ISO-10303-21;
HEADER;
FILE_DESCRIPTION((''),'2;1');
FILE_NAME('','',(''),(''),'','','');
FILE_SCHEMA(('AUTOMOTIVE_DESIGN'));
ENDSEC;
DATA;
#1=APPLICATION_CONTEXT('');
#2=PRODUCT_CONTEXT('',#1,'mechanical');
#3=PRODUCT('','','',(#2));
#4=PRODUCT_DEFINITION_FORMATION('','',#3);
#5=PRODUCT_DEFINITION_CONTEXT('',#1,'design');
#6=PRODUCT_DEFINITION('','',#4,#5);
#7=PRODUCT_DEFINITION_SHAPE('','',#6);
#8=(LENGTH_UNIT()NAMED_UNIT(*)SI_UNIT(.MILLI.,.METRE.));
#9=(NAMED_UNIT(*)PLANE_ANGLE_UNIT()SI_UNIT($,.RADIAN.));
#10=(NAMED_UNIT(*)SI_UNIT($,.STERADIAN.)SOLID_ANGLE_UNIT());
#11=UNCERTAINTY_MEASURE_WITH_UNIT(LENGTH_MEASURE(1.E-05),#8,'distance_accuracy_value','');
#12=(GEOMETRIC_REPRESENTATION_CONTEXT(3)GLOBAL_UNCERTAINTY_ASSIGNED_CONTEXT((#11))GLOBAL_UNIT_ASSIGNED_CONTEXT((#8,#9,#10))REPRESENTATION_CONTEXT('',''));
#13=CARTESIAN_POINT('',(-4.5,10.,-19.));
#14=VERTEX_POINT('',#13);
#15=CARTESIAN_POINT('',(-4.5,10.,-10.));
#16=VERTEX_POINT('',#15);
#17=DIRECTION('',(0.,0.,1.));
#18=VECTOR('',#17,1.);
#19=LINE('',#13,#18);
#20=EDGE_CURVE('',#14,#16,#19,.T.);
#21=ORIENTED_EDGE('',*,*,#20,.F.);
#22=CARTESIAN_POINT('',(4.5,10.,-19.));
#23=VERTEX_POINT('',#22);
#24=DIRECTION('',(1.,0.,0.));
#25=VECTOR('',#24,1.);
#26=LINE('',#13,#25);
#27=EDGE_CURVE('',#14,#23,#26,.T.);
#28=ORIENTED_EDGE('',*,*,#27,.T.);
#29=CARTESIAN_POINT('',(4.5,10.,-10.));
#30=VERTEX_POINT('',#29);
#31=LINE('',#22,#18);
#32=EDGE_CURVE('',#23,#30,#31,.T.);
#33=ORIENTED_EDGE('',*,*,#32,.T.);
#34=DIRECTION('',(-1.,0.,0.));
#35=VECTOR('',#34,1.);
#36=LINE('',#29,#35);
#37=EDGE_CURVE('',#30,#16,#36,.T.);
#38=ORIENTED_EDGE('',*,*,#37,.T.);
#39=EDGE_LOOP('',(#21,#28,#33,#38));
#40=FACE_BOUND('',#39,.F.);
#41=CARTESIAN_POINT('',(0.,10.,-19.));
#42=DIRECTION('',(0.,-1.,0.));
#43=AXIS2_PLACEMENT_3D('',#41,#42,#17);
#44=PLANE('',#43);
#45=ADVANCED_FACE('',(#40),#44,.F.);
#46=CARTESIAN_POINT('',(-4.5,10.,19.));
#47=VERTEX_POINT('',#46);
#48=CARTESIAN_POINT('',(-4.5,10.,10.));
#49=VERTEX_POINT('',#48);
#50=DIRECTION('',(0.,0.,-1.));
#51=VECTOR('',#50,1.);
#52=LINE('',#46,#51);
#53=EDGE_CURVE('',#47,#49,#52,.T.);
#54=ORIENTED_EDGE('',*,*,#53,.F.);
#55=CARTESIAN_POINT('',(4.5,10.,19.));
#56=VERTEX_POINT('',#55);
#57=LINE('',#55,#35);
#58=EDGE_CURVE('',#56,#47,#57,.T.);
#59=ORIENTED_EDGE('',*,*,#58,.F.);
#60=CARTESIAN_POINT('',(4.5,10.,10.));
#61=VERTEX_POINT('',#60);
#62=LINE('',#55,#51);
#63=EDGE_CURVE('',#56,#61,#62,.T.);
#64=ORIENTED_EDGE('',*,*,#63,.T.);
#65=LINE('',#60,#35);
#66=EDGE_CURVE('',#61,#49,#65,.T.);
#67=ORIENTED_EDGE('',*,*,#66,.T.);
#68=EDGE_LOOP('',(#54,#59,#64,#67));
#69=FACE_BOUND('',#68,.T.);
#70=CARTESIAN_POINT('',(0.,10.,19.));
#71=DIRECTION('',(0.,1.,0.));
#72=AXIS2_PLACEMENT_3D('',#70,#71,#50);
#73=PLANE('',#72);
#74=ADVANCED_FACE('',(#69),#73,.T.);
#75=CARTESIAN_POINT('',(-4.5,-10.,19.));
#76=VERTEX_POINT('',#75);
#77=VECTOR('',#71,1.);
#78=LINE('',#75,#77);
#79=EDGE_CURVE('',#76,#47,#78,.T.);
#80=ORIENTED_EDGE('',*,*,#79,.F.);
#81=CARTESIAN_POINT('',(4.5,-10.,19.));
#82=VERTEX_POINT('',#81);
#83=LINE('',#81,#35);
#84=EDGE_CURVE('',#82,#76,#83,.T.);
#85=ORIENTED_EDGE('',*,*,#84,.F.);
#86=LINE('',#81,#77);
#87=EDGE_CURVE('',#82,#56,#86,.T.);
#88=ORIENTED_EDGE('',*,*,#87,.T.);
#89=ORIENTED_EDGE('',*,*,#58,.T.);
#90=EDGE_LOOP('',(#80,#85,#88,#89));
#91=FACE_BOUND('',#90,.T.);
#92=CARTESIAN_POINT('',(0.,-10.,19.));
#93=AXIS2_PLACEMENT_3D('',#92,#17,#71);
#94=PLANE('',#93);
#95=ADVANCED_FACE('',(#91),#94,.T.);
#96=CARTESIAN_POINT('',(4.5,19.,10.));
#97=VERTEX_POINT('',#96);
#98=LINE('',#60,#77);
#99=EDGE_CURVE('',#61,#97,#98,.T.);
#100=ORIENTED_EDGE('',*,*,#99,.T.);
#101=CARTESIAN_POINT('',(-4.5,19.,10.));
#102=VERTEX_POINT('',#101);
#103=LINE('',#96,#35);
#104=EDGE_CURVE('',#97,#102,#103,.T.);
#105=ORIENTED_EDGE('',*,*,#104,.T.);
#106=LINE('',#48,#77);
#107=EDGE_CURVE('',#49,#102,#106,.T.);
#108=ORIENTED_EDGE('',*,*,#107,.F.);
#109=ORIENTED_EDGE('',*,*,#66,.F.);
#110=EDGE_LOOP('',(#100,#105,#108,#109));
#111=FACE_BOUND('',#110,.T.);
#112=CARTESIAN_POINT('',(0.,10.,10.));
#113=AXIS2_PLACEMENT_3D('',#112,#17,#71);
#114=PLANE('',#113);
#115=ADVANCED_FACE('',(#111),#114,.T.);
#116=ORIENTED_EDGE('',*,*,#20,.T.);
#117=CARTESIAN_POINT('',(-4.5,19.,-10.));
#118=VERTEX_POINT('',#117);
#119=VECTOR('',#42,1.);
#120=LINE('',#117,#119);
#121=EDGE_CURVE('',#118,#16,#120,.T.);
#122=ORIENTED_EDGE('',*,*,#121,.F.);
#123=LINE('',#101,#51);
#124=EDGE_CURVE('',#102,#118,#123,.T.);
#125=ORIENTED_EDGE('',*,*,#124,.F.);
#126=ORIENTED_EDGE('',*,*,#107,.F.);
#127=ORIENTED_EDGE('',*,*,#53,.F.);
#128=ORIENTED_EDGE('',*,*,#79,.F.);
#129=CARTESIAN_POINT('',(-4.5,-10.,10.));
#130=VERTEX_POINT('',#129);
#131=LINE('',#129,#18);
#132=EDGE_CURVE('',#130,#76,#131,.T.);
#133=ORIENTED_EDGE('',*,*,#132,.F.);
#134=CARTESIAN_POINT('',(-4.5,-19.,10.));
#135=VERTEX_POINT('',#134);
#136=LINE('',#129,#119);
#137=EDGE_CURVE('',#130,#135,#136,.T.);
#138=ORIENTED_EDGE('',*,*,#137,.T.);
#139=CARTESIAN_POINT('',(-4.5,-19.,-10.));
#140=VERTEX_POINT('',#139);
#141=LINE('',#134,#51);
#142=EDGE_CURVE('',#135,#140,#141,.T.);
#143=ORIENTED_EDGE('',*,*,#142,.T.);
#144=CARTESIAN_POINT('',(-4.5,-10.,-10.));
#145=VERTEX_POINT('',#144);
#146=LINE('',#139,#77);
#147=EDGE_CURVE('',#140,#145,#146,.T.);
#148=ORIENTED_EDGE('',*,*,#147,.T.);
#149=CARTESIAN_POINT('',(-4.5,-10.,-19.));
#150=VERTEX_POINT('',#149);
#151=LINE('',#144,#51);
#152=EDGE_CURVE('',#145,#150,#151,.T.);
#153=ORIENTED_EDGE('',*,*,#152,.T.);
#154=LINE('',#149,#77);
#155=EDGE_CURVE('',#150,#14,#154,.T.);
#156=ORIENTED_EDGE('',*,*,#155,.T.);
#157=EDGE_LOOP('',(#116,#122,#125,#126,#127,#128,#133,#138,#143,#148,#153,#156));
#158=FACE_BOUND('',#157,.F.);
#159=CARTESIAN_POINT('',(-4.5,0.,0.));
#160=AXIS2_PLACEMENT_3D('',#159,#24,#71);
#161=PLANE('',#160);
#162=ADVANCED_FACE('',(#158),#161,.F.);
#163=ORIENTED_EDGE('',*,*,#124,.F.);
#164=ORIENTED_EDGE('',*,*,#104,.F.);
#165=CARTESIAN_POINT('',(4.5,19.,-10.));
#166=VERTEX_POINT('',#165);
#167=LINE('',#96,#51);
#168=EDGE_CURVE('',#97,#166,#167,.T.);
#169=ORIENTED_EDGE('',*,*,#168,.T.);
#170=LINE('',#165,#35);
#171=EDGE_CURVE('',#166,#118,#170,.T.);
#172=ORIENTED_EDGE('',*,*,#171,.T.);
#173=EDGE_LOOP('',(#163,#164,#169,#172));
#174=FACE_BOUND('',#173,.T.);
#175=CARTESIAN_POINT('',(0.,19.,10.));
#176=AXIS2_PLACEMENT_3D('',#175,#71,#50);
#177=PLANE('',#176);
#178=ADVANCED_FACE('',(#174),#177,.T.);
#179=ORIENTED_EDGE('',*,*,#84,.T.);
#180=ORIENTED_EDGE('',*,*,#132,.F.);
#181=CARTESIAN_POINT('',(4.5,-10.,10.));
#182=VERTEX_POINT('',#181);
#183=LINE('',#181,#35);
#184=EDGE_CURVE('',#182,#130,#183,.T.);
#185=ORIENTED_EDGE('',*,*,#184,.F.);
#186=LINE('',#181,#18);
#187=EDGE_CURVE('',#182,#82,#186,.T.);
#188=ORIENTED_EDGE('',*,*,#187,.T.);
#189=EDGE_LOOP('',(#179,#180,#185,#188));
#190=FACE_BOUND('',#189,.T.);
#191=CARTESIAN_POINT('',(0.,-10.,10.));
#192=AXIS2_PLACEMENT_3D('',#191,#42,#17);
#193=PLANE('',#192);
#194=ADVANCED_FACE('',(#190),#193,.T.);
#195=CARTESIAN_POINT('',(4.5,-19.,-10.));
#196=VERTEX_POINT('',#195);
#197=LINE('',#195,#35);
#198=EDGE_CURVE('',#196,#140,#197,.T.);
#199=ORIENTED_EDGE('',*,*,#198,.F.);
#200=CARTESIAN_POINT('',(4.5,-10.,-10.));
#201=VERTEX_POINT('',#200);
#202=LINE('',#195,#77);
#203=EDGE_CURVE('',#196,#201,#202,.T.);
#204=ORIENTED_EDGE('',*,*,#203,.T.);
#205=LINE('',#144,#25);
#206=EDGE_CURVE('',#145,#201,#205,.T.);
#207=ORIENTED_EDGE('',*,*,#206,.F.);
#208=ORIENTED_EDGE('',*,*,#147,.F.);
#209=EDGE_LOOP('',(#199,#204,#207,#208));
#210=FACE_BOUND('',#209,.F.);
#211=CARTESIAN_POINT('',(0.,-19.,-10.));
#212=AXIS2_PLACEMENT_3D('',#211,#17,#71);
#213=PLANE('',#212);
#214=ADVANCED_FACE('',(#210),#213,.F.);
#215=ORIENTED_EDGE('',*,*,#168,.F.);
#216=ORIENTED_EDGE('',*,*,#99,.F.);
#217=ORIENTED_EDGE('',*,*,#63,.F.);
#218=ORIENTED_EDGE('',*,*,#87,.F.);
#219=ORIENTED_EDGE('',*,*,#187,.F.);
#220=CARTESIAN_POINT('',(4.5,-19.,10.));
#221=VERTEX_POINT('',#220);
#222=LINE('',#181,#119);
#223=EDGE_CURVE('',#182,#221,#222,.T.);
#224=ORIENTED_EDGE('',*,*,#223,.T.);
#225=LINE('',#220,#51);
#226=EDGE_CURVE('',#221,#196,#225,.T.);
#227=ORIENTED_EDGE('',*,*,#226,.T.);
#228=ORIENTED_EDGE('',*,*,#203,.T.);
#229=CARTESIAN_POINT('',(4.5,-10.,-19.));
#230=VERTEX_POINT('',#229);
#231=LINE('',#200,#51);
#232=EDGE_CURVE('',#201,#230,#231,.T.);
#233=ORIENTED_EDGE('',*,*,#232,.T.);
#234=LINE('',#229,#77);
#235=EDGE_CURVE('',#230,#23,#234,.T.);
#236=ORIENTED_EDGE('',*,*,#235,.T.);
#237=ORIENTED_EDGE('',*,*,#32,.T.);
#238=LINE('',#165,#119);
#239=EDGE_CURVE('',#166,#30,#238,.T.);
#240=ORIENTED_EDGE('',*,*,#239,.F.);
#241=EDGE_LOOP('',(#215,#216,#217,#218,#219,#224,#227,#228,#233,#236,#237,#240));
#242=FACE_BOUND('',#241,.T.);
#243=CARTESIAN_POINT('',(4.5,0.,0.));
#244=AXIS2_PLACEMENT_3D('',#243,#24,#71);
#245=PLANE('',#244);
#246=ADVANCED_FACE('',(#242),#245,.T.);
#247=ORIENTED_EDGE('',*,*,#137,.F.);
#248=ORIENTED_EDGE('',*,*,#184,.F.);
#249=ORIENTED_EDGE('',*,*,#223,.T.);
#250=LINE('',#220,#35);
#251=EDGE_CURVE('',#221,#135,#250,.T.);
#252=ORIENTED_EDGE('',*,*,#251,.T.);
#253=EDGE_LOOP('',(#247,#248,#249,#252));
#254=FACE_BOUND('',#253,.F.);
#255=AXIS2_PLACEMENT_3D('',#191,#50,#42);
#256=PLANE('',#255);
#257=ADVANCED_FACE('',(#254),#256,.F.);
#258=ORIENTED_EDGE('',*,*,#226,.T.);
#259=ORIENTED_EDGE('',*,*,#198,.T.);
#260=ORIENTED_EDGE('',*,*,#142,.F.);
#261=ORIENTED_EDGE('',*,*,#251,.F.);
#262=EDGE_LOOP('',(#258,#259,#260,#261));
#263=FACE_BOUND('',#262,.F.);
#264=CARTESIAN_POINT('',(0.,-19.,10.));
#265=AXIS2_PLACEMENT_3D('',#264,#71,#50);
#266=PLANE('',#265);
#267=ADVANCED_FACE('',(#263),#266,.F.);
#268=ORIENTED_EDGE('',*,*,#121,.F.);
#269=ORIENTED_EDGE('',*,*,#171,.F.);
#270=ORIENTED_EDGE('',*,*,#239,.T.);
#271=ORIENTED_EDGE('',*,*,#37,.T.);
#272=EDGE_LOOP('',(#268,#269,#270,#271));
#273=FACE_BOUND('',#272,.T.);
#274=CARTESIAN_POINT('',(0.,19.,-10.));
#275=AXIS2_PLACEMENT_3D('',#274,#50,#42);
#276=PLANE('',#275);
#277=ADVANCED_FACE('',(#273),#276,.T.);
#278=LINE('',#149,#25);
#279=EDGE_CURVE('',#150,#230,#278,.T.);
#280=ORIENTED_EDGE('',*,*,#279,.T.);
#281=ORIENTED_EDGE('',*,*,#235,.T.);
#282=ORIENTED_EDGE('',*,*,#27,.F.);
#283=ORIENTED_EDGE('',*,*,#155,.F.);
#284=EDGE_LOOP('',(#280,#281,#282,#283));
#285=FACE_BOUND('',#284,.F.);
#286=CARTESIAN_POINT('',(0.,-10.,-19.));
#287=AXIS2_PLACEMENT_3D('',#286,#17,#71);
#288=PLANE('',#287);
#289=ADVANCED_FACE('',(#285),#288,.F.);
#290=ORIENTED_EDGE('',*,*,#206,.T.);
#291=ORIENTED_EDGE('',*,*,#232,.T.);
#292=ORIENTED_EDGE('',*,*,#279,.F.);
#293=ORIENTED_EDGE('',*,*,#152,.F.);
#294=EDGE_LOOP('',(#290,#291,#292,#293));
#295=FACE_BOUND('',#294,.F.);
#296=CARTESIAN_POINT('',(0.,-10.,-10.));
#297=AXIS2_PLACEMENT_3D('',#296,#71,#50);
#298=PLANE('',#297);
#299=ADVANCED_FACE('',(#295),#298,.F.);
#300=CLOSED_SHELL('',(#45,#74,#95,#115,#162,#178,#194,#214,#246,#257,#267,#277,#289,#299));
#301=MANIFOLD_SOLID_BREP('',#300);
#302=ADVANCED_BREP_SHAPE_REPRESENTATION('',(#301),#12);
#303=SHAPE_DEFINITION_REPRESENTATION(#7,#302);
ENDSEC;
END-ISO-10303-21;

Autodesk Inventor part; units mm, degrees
ref_plane "YZ Plane" through (0, 0, 0) normal (1, 0, 0) x (0, 1, 0)
ref_plane "XZ Plane" through (0, 0, 0) normal (0, 1, 0) x (-1, 0, 0)
ref_plane "XY Plane" through (0, 0, 0) normal (0, 0, 1) x (1, 0, 0)
sketch "Inner Rib Profile" plane through (0, 0, 0) normal (1, 0, 0) x (0, 1, 0)
  line L0 (-10, 10) -> (10, 10) construction
  line L1 (10, 10) -> (10, -10) construction
  line L2 (10, -10) -> (-10, -10) construction
  line L3 (-10, -10) -> (-10, 10) construction
  line L4 (-10, 10) -> (10, -10) construction
  line L5 (10, 10) -> (-10, -10) construction
  line L6 (-10, -10) -> (-10, -19)
  line L7 (-10, -19) -> (10, -19)
  line L8 (10, -19) -> (10, -10)
  line L9 (0, 0) -> (-10, 0) construction
  line L10 (-10, 10) -> (-10, 19)
  line L11 (-10, 19) -> (10, 19)
  line L12 (10, 19) -> (10, 10)
  line L13 (-10, 10) -> (-19, 10)
  line L14 (-19, 10) -> (-19, -10)
  line L15 (-19, -10) -> (-10, -10)
  line L16 (0, 0) -> (0, 10) construction
  line L17 (10, 10) -> (19, 10)
  line L18 (19, 10) -> (19, -10)
  line L19 (19, -10) -> (10, -10)
  dimension "d0" = 20
  dimension "d1" = 20
  dimension "d2" = 9
  dimension "d3" = 9
extrude "Make Inner Rib by Extrusion of Its Profile" add sketch "Inner Rib Profile" along normal mid plane 9
sketch "Laser Cutter Sketch" plane through (4.5, 0, 0) normal (1, 0, 0) x (0, 0, -1)
  line L0 (-19, 10) -> (-19, -10) construction
  line L1 (-19, -10) -> (-10, -10) construction
  line L2 (-10, -10) -> (-10, -19) projected
  line L3 (-10, -19) -> (10, -19) projected
  line L4 (10, -19) -> (10, -10) projected
  line L5 (10, -10) -> (19, -10) construction
  line L6 (19, -10) -> (19, 10) construction
  line L7 (19, 10) -> (10, 10) construction
  line L8 (10, 10) -> (10, 19) projected
  line L9 (10, 19) -> (-10, 19) projected
  line L10 (-10, 19) -> (-10, 10) projected
  line L11 (-10, 10) -> (-19, 10) construction
  line L12 (0, 0) -> (0, 19) construction
  line L13 (-5, 0) -> (5, 0) construction
  line L14 (-5, -2.5) -> (5, -2.5)
  line L15 (5, 2.5) -> (-5, 2.5)
  arc A0 (-5, 2.5) -> (-5, -2.5) centre (-5, 0) ccw
  arc A1 (5, -2.5) -> (5, 2.5) centre (5, 0) ccw
  line L16 (10, -10.25) -> (19.25, -10.25)
  line L17 (19.25, -10.25) -> (19.25, 10.25)
  line L18 (19.25, 10.25) -> (10, 10.25)
  line L19 (-10, -10.25) -> (-19.25, -10.25)
  line L20 (-19.25, -10.25) -> (-19.25, 10.25)
  line L21 (-19.25, 10.25) -> (-10, 10.25)
  line L22 (-10, -19) -> (-10, -10.25)
  line L23 (-10, 19) -> (-10, 10.25)
  line L24 (10, -10.25) -> (10, -19)
  line L25 (10, 10.25) -> (10, 19)
  dimension "d7" = 10
  dimension "d8" = 5
  dimension "d13" = 0.25
equation "\"d0\" = InnerRibHeight"
equation "\"d1\" = RibSlotLength"
equation "\"d2\" = PrototypePlateMaterialThickness"
equation "\"d4\" = PrototypePlateRibMaterialThickness"
equation "\"InnerRibHeight\" = 20"
equation "\"RibSlotLength\" = 20"
equation "\"PrototypePlateMaterialThickness\" = 9"
equation "\"PrototypePlateRibMaterialThickness\" = 9"
properties part number "Inner Rib"
